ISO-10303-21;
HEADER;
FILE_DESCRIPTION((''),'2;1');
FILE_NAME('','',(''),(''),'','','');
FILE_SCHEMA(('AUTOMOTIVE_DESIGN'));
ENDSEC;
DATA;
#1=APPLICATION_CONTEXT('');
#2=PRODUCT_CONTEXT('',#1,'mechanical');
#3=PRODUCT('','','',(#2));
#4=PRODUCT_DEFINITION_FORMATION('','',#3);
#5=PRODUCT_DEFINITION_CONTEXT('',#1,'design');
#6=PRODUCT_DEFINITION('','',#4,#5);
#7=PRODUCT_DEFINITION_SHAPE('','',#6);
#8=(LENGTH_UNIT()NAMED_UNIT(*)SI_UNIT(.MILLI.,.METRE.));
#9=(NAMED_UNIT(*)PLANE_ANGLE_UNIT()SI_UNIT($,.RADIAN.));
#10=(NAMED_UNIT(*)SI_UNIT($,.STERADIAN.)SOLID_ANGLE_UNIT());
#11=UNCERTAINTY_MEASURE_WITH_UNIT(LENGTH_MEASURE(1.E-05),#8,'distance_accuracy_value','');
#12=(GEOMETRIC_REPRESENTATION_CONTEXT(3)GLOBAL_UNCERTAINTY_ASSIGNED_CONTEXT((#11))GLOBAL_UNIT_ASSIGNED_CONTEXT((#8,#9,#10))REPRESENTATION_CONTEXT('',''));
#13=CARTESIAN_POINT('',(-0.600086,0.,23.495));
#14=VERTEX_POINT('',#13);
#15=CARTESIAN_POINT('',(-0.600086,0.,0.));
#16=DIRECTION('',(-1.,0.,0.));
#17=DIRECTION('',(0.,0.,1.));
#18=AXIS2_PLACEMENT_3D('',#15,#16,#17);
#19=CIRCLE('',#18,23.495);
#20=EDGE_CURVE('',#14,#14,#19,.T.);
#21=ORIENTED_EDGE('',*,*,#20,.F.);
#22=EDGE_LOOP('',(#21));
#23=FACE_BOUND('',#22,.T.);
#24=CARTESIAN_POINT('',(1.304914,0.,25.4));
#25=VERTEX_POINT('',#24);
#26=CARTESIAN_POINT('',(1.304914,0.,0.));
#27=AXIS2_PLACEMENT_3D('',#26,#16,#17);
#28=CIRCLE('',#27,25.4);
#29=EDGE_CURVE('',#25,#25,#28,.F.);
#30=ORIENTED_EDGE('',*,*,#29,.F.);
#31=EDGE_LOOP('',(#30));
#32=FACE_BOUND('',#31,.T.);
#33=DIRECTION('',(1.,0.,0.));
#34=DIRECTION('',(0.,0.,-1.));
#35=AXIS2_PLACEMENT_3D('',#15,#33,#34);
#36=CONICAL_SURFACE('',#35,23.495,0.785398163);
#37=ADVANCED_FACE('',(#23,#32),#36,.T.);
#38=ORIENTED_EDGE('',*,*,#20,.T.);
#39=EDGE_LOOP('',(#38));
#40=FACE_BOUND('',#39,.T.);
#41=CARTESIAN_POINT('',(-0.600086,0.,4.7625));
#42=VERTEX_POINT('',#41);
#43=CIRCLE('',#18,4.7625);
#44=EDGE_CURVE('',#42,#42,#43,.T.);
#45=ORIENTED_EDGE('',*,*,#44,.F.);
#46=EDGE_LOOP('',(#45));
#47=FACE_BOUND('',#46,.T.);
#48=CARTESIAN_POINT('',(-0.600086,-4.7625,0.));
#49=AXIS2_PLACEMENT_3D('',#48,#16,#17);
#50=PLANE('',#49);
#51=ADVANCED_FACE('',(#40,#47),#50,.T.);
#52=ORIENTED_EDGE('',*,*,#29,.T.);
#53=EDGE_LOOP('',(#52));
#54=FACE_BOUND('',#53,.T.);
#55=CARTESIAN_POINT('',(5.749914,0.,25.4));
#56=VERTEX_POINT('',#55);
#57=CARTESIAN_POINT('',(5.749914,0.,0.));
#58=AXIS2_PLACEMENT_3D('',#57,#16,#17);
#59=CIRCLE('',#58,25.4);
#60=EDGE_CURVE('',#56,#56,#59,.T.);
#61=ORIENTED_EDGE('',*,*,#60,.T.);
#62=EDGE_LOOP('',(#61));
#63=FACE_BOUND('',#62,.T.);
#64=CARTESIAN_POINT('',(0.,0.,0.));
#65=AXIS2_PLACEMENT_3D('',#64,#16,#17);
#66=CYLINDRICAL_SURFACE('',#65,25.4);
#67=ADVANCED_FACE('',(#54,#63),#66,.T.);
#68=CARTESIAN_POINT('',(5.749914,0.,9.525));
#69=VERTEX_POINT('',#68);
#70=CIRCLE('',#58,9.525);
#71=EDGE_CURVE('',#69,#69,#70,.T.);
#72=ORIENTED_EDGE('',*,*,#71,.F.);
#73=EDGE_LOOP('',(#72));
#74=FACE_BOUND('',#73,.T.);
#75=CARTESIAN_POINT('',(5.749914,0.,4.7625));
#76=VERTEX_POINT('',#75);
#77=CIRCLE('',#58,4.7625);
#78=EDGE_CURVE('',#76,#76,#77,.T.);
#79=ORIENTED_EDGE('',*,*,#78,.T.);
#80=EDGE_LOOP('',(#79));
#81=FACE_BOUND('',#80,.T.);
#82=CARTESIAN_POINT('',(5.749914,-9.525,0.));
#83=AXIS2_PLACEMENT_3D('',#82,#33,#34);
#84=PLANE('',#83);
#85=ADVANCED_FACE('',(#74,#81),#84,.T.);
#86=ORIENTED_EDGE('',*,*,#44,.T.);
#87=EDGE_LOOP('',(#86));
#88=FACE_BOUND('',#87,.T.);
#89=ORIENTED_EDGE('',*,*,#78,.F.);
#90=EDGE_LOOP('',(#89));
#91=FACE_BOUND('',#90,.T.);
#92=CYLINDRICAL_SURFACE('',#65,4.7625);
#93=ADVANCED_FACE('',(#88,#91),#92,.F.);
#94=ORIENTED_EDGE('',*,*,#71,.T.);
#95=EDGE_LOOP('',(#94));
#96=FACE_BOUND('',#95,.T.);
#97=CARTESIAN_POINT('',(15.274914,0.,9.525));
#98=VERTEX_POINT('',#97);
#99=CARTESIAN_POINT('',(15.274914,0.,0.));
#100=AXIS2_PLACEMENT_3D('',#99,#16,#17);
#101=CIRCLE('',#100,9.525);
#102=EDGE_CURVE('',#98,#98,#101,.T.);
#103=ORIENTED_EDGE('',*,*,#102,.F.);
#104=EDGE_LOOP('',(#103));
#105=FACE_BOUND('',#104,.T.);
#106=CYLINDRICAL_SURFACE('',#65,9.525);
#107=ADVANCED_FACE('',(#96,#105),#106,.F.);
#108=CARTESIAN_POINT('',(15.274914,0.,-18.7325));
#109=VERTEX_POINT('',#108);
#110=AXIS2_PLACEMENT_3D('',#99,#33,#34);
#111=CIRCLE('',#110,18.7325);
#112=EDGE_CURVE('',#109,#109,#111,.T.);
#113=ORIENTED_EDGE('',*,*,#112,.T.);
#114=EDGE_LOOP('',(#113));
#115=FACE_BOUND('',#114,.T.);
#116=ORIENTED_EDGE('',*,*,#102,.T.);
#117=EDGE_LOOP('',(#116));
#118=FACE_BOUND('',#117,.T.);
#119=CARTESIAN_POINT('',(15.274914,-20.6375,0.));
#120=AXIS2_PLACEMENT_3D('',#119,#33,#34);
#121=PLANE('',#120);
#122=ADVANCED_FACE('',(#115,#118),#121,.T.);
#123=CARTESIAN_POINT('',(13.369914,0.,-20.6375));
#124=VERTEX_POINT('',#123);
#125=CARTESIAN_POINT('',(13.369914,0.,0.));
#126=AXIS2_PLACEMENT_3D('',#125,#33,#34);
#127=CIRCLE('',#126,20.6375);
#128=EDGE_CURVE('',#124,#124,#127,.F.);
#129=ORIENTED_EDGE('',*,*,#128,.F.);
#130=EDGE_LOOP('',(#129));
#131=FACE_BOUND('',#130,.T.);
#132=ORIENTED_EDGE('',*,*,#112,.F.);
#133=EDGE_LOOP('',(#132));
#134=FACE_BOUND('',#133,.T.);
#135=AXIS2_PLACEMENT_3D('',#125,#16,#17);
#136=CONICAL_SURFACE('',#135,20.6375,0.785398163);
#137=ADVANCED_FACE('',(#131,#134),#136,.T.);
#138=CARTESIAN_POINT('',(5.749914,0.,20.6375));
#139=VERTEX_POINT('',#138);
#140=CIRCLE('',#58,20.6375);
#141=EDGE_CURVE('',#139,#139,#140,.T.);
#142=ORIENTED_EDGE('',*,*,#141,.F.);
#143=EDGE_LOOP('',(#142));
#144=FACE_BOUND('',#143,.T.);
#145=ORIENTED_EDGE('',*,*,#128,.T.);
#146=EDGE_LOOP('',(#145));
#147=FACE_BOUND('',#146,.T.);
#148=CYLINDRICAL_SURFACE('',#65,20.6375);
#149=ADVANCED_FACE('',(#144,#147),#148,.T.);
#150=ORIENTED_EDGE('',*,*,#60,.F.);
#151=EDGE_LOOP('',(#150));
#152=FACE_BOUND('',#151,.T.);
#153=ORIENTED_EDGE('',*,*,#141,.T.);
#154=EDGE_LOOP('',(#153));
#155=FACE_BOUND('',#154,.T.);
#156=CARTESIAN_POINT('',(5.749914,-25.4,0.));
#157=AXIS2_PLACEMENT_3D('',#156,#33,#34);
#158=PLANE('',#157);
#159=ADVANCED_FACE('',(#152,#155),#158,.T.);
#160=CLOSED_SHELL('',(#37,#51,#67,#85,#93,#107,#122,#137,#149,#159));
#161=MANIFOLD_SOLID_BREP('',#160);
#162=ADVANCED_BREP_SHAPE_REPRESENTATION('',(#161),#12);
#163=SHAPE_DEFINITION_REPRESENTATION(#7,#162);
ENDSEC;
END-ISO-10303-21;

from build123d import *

# Parameters (mm, degrees)
CHAMFER1_SIZE = 1.905


with BuildPart() as part:
    # Sketch1 → Revolve1 (revolve)
    with BuildSketch(Plane.XY, mode=Mode.PRIVATE) as revolve1_sk:
        Polygon((-0.600085911, -4.7625), (-0.600085911, -25.4), (5.749914089, -25.4), (5.749914089, -20.6375), (15.274914089, -20.6375), (15.274914089, -9.525), (5.749914089, -9.525), (5.749914089, -4.7625), align=None)
    revolve(revolve1_sk.sketch.rotate(Axis((0, 0, 0), (1, 0, 0)), 270), axis=Axis((0, 0, 0), (1, 0, 0)))

    # Chamfer1
    chamfer1_edges = [part.edges().sort_by_distance(p)[0] for p in [
        (15.274914089, 0, -20.6375),
        (-0.600085911, 0, -25.4),
    ]]
    chamfer(chamfer1_edges, length=CHAMFER1_SIZE)


solid = part.part
